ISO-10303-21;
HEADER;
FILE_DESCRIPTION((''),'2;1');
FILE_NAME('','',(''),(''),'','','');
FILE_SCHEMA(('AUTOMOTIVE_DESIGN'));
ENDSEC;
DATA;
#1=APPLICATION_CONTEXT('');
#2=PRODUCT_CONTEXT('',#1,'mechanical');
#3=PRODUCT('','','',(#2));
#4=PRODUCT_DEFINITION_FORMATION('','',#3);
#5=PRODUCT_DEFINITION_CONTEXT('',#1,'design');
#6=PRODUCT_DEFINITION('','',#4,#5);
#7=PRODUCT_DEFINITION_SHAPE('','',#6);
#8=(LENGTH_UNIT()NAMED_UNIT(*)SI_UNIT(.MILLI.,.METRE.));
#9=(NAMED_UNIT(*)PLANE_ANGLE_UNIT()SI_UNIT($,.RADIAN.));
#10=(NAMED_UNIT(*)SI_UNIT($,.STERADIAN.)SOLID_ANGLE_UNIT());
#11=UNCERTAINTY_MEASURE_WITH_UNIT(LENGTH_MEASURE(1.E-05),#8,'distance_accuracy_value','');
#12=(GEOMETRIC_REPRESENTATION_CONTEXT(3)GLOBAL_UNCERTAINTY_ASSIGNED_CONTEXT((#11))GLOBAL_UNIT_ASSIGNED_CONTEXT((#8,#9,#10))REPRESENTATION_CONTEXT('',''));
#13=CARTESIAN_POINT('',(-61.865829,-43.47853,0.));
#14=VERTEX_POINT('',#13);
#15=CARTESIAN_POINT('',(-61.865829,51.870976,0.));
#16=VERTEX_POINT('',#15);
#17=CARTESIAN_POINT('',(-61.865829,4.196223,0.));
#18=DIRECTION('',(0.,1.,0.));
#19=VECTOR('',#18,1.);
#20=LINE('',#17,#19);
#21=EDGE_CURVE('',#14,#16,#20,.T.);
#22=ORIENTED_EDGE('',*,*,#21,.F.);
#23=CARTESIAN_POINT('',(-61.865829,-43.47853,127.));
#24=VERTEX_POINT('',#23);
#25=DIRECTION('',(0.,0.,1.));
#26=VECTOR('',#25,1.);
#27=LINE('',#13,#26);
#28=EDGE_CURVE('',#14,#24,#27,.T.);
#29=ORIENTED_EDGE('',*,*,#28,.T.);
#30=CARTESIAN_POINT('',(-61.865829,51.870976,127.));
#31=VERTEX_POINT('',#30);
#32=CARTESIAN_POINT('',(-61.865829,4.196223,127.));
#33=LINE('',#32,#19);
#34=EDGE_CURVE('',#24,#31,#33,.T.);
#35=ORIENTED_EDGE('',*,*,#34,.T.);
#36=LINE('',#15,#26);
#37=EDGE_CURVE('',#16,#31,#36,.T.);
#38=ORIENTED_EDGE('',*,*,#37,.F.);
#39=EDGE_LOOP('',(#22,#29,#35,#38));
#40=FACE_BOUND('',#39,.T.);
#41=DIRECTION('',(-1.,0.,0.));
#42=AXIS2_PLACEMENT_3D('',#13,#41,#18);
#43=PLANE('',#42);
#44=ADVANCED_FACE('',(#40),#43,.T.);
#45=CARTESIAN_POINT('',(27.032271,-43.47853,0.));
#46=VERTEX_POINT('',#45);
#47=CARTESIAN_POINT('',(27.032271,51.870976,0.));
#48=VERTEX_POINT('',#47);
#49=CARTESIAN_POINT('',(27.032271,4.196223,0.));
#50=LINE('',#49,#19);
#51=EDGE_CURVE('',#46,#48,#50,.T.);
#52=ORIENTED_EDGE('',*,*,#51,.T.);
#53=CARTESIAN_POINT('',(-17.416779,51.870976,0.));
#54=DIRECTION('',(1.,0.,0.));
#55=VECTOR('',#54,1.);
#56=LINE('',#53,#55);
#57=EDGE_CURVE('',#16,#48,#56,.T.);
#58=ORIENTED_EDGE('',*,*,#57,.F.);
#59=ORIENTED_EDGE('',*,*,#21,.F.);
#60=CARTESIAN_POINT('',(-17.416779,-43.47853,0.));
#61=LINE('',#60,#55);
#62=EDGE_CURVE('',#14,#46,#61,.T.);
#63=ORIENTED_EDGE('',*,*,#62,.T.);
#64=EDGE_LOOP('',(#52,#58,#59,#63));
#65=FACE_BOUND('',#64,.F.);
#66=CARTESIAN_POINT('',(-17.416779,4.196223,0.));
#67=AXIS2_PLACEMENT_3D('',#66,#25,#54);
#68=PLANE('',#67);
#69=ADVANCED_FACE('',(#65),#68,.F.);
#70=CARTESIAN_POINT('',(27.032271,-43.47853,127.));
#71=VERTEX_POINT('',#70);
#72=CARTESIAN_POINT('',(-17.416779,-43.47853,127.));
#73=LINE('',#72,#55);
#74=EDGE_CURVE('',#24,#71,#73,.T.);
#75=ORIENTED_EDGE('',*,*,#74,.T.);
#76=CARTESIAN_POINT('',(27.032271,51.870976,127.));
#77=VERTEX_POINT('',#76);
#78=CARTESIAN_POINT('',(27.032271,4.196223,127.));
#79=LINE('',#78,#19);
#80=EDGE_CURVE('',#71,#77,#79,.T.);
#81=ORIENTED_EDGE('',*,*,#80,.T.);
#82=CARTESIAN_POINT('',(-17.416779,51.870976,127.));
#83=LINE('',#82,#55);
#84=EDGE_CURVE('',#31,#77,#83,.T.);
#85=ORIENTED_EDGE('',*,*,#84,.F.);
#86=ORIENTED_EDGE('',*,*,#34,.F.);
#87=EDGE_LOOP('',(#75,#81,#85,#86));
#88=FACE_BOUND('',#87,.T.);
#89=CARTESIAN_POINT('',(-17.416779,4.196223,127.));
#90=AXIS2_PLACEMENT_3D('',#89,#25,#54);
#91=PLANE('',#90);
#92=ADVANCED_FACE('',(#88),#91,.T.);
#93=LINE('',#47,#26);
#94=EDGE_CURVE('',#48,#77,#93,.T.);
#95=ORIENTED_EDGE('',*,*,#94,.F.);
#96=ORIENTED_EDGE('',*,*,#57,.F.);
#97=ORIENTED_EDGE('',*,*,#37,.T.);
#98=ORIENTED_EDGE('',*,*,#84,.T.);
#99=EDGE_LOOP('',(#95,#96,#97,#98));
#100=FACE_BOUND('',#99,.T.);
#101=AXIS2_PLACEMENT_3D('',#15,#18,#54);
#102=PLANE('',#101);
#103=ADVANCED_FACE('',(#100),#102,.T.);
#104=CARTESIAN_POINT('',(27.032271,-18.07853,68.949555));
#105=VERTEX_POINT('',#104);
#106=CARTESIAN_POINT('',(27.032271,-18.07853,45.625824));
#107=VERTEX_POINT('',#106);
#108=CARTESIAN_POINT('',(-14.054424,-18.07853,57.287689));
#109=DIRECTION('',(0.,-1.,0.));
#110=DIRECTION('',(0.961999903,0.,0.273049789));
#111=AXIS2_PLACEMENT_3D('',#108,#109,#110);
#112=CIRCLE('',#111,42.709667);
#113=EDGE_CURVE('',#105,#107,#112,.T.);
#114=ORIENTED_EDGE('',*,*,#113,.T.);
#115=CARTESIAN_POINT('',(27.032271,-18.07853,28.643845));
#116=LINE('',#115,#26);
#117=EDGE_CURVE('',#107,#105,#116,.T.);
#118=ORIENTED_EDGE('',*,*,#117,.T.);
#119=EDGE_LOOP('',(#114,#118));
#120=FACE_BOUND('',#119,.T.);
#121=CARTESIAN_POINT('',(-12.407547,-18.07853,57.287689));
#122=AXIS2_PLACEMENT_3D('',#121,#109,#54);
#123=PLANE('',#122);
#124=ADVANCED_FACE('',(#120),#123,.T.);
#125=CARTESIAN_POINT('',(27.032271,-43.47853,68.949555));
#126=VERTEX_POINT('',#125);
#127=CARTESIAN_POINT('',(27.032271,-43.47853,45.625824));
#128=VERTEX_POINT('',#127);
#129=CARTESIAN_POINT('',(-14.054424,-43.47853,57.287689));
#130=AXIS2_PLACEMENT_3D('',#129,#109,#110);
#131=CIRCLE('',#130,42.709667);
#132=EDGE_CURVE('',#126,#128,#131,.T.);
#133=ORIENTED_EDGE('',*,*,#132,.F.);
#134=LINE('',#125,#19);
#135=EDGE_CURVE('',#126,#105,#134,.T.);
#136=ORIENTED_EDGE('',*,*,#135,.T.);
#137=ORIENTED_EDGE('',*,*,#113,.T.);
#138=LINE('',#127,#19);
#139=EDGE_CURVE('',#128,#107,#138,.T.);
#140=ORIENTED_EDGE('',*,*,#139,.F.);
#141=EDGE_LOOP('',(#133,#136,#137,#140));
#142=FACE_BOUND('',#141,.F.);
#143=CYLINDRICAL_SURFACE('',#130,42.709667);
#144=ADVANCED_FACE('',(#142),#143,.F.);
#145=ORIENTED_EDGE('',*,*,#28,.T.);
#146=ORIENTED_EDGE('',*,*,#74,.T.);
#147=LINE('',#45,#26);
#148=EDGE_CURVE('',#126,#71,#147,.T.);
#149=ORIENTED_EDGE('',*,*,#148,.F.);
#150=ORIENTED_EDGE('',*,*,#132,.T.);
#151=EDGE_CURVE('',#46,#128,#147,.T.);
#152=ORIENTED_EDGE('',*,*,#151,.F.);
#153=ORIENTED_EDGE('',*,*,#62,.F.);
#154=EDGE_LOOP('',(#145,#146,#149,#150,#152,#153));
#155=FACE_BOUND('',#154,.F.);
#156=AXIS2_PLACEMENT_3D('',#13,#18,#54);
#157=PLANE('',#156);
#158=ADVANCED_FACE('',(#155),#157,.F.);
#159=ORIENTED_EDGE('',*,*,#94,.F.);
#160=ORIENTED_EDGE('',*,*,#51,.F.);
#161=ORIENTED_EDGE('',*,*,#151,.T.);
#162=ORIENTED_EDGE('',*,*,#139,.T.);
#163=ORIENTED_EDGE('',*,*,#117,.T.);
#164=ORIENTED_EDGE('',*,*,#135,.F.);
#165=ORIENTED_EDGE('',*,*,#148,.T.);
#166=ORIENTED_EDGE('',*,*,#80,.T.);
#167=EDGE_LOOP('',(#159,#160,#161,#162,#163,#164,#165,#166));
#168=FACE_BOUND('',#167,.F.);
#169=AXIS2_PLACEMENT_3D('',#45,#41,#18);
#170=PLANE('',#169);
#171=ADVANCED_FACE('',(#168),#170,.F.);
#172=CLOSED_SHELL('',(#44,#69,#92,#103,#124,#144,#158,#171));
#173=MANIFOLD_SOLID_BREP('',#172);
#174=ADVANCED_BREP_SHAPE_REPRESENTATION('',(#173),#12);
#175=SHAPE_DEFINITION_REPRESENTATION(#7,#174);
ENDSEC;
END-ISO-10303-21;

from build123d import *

# Parameters (mm, degrees)
F0_W     = 88.8981
F0_H     = 95.349506
F1_DEPTH = 127
F3_DEPTH = 25.4


with BuildPart() as f1:
    # F0 (on Top) → F1 (new body)
    with BuildSketch(Plane.XY):
        with Locations((-17.416779, 4.196223)):
            Rectangle(F0_W, F0_H)
    extrude(amount=F1_DEPTH)

    # F2 (on face) → F3 (cut)
    with BuildSketch(Plane.XZ.offset(43.47853)):
        with BuildLine():
            Line((27.032271, 45.625824), (27.032271, 68.949555))
            ThreePointArc((27.032271, 68.949555), (-56.764091, 57.287689), (27.032271, 45.625824))
        make_face()
        with BuildLine():
            ThreePointArc((27.032271, 45.625824), (28.247554, 51.40056), (28.655243, 57.287689))
            ThreePointArc((28.655243, 57.287689), (28.247554, 63.174818), (27.032271, 68.949555))
            Line((27.032271, 68.949555), (27.032271, 45.625824))
        make_face()
    extrude(amount=-F3_DEPTH, mode=Mode.SUBTRACT)


solid = f1.part
